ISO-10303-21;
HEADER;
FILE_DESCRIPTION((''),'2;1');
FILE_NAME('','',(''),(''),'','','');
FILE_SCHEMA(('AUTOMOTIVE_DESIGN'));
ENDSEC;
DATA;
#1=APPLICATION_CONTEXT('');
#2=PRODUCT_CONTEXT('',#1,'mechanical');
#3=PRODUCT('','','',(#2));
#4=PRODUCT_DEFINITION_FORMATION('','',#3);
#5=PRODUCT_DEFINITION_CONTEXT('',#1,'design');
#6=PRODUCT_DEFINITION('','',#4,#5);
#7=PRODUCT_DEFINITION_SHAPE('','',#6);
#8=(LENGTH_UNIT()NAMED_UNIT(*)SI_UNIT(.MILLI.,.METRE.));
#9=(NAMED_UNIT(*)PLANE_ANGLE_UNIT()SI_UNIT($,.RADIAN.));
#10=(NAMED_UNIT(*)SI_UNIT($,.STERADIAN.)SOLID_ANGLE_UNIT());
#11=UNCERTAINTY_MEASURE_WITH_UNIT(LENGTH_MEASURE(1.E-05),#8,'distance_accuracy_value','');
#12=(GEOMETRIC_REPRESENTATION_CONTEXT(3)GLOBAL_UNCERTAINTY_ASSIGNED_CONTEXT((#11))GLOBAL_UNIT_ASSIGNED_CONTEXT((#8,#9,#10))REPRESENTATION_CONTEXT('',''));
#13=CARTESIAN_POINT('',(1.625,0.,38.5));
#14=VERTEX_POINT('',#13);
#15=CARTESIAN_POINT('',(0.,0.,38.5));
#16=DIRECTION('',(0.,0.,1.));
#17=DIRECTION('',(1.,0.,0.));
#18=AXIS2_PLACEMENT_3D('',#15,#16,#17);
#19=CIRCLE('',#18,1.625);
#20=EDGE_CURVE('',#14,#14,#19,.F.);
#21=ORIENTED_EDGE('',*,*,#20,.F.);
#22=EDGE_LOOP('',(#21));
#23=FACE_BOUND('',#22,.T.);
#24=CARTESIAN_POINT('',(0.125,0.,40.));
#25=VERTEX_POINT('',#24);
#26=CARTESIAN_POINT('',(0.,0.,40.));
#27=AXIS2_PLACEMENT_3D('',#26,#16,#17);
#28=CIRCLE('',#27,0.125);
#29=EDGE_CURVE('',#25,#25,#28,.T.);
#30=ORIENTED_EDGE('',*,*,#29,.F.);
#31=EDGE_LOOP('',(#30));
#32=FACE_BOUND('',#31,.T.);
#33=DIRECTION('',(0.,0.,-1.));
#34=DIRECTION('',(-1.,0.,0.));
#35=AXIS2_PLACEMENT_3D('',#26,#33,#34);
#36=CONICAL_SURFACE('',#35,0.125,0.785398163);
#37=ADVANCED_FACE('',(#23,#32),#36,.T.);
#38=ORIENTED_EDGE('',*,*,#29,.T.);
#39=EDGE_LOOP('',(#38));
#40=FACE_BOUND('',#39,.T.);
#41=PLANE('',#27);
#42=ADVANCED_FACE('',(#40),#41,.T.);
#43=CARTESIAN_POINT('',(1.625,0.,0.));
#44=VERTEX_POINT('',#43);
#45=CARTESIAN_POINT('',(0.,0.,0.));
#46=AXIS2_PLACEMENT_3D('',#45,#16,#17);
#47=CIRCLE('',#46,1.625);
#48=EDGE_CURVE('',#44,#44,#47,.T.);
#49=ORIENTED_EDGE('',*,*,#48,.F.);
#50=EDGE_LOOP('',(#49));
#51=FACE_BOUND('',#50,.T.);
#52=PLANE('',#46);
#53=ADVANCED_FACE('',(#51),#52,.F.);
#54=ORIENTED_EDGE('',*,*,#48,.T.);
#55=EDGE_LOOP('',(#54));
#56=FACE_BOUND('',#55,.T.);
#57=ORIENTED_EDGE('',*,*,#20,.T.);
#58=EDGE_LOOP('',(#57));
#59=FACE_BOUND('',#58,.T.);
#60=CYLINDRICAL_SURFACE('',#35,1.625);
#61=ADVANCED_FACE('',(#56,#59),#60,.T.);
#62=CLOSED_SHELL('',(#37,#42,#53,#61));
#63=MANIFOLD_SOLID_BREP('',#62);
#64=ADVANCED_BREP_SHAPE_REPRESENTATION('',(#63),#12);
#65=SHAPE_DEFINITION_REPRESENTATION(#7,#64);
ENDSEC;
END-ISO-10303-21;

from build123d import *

# Parameters (mm, degrees)
CROQUIS1_R              = 1.625
SALIENTE_EXTRUIR1_DEPTH = 40
CHAFL_N1_SIZE           = 1.5


with BuildPart() as part:
    # Croquis1 → Saliente-Extruir1 (new body)
    with BuildSketch(Plane.XY):
        Circle(CROQUIS1_R)
    extrude(amount=SALIENTE_EXTRUIR1_DEPTH)

    # Chaflán1
    chafl_n1_edges = [part.edges().sort_by_distance(p)[0] for p in [
        (-1.625, 0, 40),
    ]]
    chamfer(chafl_n1_edges, length=CHAFL_N1_SIZE)


solid = part.part
